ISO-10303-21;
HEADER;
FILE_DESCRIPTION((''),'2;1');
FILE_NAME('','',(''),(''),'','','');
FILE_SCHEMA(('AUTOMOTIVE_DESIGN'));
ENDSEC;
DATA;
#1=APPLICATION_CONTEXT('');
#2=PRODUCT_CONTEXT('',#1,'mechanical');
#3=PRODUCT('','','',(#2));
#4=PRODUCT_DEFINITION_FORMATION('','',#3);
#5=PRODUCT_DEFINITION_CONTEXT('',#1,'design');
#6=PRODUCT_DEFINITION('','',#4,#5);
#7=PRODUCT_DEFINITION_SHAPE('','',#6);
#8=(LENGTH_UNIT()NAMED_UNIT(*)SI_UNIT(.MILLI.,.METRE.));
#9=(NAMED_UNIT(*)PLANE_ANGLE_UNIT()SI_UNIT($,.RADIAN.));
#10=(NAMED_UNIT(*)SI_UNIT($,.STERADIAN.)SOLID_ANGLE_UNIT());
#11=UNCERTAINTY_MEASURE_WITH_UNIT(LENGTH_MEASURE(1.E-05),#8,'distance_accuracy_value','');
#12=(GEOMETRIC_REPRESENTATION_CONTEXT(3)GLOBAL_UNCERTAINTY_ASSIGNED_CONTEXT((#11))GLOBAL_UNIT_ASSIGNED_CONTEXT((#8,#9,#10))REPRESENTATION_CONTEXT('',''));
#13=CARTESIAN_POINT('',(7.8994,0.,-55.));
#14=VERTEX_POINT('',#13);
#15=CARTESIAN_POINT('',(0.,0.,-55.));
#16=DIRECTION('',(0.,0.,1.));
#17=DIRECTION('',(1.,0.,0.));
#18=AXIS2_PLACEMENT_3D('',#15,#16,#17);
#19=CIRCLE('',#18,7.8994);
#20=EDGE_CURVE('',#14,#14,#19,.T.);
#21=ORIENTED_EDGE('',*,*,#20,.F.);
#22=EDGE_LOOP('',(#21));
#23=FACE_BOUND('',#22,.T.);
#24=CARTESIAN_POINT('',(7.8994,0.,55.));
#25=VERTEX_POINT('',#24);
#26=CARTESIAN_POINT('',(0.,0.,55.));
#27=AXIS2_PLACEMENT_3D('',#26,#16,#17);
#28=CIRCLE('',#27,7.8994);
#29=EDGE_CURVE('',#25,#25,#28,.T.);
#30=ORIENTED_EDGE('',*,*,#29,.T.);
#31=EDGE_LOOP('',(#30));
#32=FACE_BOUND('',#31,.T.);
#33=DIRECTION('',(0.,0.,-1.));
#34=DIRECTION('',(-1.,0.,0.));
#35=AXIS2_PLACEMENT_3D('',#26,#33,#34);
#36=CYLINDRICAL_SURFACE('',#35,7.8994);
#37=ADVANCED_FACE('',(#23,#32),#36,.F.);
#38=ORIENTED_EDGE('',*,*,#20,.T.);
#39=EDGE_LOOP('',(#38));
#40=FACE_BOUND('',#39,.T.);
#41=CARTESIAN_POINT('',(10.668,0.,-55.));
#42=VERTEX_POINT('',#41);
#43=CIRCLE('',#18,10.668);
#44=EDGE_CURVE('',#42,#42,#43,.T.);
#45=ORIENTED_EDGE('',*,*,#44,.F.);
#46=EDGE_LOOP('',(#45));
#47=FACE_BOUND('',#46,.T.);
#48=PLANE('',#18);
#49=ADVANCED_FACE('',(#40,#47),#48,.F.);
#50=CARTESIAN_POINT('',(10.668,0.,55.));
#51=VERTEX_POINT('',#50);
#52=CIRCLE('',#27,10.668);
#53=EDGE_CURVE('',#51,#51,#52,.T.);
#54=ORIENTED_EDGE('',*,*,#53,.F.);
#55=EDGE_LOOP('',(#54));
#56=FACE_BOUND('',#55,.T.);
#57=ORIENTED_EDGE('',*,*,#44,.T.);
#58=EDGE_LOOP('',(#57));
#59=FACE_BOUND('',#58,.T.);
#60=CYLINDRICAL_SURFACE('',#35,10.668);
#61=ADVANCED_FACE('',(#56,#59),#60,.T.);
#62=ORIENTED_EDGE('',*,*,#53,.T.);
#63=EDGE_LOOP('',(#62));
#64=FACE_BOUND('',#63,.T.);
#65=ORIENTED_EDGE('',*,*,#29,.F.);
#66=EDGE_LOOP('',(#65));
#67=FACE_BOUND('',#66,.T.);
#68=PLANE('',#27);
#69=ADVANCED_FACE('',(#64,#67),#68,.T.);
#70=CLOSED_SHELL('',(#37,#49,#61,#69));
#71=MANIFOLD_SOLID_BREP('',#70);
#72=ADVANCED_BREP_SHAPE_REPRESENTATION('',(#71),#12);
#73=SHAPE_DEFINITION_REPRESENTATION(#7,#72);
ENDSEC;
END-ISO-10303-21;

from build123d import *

# Parameters (mm, degrees)
SKETCH1_R           = 10.668
SKETCH1_R_2         = 7.8994
EXTRUDE_THIN1_DEPTH = 55


with BuildPart() as part:
    # Sketch1 → Extrude-Thin1 (new body, symmetric)
    with BuildSketch(Plane.XY):
        Circle(SKETCH1_R)
        Circle(SKETCH1_R_2, mode=Mode.SUBTRACT)
    extrude(amount=EXTRUDE_THIN1_DEPTH, both=True)


solid = part.part
